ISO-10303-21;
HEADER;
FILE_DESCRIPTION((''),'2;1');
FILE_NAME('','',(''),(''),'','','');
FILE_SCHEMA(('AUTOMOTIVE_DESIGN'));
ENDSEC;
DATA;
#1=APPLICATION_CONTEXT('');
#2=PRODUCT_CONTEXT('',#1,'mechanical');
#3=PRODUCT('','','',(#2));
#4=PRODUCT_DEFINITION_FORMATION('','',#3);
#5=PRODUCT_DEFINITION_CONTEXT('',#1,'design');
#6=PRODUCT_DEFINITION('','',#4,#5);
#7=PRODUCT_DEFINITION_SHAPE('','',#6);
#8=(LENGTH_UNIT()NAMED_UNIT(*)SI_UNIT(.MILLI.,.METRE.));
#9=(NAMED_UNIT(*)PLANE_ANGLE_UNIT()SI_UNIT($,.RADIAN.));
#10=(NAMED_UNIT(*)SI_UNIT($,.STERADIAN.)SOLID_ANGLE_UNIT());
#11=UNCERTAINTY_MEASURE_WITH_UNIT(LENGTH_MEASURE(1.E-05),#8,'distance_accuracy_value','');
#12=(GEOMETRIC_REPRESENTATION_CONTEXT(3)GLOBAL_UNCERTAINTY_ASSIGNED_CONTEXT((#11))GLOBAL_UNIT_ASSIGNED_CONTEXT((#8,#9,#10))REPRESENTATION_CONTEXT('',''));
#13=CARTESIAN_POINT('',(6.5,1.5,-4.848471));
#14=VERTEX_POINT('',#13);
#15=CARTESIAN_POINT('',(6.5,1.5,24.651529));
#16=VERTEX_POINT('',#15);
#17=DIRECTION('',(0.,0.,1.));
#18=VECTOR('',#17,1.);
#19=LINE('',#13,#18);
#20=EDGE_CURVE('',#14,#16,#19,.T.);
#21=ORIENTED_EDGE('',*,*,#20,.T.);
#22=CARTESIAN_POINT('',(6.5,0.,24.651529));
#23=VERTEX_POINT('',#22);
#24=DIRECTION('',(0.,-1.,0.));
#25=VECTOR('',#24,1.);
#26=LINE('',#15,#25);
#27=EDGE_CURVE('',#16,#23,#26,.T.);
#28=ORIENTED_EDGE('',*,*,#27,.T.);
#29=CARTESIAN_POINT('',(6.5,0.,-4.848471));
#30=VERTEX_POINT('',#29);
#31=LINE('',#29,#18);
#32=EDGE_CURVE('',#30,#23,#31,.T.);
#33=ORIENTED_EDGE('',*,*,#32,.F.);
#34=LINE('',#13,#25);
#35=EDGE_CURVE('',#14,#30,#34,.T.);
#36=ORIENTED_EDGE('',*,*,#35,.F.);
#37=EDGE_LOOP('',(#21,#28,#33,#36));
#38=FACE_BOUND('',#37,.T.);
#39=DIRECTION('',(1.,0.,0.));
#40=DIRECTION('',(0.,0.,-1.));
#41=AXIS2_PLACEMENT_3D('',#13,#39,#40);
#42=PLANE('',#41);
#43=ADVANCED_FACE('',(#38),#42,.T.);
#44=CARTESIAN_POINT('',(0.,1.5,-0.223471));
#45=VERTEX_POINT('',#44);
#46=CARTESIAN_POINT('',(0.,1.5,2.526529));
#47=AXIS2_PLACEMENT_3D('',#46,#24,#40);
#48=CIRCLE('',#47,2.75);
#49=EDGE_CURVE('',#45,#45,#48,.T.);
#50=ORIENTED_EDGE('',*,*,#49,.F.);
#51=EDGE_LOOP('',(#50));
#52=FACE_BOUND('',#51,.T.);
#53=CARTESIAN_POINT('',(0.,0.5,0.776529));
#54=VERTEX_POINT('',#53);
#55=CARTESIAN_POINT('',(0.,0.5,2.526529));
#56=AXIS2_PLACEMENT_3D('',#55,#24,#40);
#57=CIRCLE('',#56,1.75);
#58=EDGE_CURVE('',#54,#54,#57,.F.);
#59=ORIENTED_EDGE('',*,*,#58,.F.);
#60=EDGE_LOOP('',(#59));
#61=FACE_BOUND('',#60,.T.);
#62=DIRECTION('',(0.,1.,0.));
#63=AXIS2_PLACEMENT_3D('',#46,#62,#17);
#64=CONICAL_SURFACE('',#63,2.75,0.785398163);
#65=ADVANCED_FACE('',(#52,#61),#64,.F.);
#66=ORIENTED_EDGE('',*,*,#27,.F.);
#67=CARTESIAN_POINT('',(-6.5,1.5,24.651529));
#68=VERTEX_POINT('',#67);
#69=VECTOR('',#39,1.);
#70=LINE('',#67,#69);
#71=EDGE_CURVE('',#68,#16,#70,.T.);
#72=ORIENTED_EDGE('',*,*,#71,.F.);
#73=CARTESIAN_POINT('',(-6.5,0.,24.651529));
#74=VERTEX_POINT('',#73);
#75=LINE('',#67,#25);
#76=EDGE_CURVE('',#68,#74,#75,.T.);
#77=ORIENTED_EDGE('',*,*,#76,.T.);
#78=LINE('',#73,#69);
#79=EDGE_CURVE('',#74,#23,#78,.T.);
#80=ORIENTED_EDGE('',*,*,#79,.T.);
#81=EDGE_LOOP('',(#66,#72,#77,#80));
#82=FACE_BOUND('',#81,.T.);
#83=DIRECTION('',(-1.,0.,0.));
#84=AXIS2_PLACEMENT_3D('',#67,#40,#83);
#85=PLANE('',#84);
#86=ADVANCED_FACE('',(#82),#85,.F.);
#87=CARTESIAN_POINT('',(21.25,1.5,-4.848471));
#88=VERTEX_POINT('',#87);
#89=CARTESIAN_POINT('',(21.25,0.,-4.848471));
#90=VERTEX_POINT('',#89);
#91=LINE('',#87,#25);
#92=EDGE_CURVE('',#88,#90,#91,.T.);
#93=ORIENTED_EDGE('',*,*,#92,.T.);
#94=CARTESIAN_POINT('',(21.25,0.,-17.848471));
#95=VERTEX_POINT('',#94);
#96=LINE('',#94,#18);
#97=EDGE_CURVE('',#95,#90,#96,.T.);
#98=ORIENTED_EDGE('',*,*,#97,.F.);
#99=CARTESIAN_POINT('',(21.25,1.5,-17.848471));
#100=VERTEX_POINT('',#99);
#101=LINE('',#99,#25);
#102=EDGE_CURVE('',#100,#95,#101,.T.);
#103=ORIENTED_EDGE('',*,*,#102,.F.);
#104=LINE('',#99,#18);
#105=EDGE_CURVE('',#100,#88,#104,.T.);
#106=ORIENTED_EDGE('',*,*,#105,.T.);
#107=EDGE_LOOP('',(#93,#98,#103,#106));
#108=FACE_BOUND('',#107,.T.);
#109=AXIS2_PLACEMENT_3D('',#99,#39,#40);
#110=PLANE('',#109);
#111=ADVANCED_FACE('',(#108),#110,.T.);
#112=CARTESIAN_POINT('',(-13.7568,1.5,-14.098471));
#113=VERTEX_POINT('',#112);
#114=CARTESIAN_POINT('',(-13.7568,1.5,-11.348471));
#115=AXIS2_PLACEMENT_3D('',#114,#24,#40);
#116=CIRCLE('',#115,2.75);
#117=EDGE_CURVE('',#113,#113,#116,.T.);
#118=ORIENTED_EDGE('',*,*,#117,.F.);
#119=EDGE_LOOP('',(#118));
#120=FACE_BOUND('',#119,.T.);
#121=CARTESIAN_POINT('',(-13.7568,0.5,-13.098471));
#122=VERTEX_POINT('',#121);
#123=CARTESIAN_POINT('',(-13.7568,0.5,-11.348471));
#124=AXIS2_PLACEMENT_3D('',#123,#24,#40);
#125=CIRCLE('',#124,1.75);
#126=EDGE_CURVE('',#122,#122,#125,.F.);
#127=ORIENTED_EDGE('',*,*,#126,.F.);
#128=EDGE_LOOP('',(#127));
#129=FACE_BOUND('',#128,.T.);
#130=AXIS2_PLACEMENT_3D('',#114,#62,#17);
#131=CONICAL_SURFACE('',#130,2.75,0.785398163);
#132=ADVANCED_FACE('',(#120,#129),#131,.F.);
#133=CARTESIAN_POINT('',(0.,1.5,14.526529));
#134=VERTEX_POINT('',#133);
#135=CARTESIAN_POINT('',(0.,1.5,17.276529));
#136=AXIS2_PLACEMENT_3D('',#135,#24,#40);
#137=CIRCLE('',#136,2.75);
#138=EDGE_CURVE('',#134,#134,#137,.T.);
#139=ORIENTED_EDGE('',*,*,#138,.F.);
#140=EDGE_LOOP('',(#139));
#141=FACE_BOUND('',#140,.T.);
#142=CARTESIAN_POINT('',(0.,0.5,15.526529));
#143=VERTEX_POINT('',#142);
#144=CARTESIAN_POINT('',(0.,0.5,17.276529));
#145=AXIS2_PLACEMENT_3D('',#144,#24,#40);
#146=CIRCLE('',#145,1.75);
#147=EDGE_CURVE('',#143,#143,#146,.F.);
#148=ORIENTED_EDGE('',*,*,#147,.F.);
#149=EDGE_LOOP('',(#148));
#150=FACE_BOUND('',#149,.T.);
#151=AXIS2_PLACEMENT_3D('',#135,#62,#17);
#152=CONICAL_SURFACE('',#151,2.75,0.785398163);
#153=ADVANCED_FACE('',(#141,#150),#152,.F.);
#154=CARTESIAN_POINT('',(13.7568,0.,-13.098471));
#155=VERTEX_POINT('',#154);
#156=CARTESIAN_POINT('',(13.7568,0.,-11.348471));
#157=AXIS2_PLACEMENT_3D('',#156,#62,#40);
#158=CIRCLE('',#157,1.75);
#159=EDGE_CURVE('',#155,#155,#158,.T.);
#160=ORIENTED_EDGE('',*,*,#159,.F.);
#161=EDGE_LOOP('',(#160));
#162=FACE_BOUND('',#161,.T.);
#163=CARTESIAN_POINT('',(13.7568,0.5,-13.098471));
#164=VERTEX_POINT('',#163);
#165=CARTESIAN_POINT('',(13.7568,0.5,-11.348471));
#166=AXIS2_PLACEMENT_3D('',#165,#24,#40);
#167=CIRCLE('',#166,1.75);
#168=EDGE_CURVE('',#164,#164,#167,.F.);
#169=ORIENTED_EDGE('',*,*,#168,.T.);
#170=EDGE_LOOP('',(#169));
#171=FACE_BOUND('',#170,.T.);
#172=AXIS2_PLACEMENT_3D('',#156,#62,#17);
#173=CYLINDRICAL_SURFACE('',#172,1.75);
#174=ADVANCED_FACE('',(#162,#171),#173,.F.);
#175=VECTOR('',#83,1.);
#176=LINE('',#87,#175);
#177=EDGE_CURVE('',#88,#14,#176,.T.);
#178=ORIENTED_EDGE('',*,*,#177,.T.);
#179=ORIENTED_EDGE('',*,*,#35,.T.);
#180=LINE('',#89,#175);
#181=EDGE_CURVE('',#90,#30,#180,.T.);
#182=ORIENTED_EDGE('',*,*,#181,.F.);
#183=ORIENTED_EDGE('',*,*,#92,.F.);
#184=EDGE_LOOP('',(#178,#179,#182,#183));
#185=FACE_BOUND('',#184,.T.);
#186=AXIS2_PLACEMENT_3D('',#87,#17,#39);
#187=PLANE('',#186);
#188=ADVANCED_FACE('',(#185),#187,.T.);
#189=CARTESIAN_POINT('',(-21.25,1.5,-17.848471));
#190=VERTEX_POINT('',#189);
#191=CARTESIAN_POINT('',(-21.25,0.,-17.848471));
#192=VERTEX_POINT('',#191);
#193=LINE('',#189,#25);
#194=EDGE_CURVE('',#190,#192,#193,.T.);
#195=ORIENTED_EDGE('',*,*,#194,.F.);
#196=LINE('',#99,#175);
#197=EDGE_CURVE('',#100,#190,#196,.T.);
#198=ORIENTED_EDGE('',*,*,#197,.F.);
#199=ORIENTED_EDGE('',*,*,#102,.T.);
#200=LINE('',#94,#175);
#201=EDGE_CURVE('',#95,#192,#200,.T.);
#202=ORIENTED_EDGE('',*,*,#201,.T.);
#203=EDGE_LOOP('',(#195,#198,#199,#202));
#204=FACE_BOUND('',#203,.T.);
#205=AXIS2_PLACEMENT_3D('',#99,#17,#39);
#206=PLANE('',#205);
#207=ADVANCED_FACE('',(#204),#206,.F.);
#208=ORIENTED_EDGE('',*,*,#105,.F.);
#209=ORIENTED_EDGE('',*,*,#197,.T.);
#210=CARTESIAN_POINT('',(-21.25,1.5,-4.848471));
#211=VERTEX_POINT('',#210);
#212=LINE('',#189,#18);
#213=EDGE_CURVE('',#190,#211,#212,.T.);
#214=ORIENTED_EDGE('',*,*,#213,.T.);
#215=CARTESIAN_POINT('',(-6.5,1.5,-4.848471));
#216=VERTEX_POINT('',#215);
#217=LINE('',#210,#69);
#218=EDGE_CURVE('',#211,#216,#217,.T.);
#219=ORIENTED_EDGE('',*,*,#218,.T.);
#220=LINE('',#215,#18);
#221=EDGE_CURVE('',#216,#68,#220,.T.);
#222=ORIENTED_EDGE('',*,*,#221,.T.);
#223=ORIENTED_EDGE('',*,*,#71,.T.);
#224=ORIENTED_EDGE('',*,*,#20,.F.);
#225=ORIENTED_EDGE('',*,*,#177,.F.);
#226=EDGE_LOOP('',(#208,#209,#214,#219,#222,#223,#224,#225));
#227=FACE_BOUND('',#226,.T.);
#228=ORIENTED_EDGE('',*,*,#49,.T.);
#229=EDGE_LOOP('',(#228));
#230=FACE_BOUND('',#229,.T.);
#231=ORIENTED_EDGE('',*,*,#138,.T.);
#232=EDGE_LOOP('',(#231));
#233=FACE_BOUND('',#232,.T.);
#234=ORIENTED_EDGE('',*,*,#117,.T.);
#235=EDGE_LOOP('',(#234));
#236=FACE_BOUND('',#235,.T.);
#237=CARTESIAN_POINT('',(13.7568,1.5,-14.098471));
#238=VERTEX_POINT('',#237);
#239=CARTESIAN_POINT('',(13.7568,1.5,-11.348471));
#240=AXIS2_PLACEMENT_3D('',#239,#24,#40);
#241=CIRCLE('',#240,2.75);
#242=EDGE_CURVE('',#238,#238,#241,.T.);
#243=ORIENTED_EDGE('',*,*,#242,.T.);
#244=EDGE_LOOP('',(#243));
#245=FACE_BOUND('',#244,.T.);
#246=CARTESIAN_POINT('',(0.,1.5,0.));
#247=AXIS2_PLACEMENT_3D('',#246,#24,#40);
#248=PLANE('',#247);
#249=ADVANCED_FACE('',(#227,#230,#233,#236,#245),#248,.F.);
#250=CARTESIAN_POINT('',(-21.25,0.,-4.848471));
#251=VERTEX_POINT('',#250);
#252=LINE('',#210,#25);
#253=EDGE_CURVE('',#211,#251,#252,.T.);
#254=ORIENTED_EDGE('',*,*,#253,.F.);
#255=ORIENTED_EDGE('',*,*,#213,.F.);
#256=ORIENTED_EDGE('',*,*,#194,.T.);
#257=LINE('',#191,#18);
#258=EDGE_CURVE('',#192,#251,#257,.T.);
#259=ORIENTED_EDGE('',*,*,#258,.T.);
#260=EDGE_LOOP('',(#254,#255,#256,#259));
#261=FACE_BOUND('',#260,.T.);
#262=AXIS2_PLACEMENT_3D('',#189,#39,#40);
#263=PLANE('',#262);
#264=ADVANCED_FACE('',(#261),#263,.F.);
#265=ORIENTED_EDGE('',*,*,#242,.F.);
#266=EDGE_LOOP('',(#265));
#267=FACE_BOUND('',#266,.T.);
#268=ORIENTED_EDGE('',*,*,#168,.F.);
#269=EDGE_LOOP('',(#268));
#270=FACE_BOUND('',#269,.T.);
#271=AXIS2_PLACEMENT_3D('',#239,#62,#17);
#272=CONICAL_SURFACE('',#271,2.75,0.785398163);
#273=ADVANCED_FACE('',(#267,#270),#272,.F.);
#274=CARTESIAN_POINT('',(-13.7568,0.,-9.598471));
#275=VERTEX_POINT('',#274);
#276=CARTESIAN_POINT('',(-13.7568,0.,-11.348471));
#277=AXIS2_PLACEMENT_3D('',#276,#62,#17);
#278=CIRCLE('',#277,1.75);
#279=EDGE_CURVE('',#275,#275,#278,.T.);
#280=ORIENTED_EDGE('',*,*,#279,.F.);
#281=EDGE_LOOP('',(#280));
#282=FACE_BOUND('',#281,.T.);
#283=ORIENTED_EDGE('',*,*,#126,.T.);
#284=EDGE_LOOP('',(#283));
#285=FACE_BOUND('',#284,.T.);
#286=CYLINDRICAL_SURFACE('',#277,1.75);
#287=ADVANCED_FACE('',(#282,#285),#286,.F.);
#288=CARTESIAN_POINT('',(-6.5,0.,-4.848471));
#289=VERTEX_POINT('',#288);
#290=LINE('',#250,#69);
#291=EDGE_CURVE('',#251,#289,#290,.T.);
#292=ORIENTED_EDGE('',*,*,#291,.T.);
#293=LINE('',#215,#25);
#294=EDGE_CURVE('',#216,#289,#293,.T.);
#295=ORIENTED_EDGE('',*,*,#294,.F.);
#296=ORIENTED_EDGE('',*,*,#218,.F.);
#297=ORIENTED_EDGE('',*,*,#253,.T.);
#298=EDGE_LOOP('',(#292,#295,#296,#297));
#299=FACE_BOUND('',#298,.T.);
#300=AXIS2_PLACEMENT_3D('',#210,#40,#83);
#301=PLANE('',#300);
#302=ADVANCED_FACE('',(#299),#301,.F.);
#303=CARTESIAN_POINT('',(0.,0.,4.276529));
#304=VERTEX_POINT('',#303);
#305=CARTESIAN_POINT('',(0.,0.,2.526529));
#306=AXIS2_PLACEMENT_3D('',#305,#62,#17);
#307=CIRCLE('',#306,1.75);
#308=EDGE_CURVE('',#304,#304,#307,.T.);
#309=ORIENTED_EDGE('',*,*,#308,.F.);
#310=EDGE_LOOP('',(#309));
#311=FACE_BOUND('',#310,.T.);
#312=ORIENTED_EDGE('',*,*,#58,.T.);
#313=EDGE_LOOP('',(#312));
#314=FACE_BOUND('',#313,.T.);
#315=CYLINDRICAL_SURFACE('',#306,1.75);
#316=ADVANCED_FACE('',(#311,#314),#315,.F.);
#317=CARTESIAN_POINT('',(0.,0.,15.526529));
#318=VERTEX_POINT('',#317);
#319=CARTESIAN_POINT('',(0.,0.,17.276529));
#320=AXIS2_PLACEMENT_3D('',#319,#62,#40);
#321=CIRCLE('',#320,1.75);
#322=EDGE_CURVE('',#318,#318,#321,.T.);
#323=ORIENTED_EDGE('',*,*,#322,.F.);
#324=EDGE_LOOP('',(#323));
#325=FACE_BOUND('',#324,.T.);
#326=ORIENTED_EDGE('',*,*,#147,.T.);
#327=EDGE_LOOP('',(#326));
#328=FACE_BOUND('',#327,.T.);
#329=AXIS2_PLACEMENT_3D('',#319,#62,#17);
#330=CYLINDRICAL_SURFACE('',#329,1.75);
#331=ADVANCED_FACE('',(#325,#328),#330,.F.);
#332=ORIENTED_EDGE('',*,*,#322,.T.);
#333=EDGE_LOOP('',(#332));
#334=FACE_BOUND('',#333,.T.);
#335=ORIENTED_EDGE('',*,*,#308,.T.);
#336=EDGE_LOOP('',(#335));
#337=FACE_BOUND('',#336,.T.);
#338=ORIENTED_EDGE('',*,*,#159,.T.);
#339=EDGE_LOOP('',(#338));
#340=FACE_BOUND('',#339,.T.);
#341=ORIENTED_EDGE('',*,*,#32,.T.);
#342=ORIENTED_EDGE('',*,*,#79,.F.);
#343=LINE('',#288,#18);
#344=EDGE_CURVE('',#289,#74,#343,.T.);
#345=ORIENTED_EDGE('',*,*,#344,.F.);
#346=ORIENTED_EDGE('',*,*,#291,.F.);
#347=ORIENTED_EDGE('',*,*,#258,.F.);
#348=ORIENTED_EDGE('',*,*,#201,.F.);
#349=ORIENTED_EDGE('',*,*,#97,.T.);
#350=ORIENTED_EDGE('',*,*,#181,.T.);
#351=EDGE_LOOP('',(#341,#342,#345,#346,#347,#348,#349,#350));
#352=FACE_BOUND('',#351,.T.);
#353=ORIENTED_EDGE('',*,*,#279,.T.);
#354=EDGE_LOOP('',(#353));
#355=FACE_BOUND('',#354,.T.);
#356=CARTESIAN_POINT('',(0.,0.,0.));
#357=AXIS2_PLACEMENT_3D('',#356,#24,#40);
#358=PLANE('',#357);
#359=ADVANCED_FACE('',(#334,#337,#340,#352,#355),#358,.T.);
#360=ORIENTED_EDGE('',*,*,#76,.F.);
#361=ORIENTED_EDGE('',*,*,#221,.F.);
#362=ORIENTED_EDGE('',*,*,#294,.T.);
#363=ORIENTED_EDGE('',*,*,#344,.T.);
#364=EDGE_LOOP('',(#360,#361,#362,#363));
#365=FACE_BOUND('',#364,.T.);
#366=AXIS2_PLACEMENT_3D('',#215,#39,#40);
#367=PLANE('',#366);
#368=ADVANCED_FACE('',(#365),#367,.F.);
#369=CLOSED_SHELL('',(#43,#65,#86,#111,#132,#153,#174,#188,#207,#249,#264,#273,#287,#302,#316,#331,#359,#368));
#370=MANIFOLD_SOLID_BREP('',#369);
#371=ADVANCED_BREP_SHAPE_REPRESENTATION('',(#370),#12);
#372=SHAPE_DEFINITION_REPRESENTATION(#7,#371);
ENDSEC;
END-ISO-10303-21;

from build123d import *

# Parameters (mm, degrees)
BOSS_EXTRUDE1_DEPTH     = 1.5
CUT_EXTRUDE1_DEPTH      = 33.580828274
CUT_EXTRUDE1_DEPTH_BACK = 33.580828274
SKETCH2_R               = 1.75
CHAMFER2_SIZE           = 1
CHAMFER4_SIZE           = 1


with BuildPart() as part:
    # Sketch1 → Boss-Extrude1 (new body)
    with BuildSketch(Plane(origin=(0, 0, 0), x_dir=(1, 0, 0), z_dir=(0, 1, 0))):
        Polygon((21.25, 17.848471223), (-21.25, 17.848471223), (-21.25, 4.848471223), (-6.5, 4.848471223), (-6.5, -24.651528777), (6.5, -24.651528777), (6.5, 4.848471223), (21.25, 4.848471223), align=None)
    extrude(amount=BOSS_EXTRUDE1_DEPTH)

    # Sketch2 → Cut-Extrude1 (cut, two sides: drawn at the far end of the back side and taken through both)
    with BuildSketch(Plane(origin=(0, 1.5, 0), x_dir=(1, 0, 0), z_dir=(0, 1, 0)).offset(-CUT_EXTRUDE1_DEPTH_BACK)):
        with Locations(Location((-13.756799801, 11.348471223, 0), (0, 0, 270))):
            Circle(SKETCH2_R)
        with Locations(Location((13.756799801, 11.348471223, 0), (0, 0, 90))):
            Circle(SKETCH2_R)
        with Locations(Location((0, -2.526528777, 0), (0, 0, 270))):
            Circle(SKETCH2_R)
        with Locations(Location((0, -17.276528777, 0), (0, 0, 90))):
            Circle(SKETCH2_R)
    extrude(amount=CUT_EXTRUDE1_DEPTH + CUT_EXTRUDE1_DEPTH_BACK, mode=Mode.SUBTRACT)

    # Chamfer2
    chamfer2_edges = [part.edges().sort_by_distance(p)[0] for p in [
        (-13.756799801, 1.5, -13.098471223),
    ]]
    chamfer(chamfer2_edges, length=CHAMFER2_SIZE)

    # Chamfer4
    chamfer4_edges = [part.edges().sort_by_distance(p)[0] for p in [
        (13.756799801, 1.5, -9.598471223),
        (0, 1.5, 19.026528777),
        (0, 1.5, 0.776528777),
    ]]
    chamfer(chamfer4_edges, length=CHAMFER4_SIZE)


solid = part.part
